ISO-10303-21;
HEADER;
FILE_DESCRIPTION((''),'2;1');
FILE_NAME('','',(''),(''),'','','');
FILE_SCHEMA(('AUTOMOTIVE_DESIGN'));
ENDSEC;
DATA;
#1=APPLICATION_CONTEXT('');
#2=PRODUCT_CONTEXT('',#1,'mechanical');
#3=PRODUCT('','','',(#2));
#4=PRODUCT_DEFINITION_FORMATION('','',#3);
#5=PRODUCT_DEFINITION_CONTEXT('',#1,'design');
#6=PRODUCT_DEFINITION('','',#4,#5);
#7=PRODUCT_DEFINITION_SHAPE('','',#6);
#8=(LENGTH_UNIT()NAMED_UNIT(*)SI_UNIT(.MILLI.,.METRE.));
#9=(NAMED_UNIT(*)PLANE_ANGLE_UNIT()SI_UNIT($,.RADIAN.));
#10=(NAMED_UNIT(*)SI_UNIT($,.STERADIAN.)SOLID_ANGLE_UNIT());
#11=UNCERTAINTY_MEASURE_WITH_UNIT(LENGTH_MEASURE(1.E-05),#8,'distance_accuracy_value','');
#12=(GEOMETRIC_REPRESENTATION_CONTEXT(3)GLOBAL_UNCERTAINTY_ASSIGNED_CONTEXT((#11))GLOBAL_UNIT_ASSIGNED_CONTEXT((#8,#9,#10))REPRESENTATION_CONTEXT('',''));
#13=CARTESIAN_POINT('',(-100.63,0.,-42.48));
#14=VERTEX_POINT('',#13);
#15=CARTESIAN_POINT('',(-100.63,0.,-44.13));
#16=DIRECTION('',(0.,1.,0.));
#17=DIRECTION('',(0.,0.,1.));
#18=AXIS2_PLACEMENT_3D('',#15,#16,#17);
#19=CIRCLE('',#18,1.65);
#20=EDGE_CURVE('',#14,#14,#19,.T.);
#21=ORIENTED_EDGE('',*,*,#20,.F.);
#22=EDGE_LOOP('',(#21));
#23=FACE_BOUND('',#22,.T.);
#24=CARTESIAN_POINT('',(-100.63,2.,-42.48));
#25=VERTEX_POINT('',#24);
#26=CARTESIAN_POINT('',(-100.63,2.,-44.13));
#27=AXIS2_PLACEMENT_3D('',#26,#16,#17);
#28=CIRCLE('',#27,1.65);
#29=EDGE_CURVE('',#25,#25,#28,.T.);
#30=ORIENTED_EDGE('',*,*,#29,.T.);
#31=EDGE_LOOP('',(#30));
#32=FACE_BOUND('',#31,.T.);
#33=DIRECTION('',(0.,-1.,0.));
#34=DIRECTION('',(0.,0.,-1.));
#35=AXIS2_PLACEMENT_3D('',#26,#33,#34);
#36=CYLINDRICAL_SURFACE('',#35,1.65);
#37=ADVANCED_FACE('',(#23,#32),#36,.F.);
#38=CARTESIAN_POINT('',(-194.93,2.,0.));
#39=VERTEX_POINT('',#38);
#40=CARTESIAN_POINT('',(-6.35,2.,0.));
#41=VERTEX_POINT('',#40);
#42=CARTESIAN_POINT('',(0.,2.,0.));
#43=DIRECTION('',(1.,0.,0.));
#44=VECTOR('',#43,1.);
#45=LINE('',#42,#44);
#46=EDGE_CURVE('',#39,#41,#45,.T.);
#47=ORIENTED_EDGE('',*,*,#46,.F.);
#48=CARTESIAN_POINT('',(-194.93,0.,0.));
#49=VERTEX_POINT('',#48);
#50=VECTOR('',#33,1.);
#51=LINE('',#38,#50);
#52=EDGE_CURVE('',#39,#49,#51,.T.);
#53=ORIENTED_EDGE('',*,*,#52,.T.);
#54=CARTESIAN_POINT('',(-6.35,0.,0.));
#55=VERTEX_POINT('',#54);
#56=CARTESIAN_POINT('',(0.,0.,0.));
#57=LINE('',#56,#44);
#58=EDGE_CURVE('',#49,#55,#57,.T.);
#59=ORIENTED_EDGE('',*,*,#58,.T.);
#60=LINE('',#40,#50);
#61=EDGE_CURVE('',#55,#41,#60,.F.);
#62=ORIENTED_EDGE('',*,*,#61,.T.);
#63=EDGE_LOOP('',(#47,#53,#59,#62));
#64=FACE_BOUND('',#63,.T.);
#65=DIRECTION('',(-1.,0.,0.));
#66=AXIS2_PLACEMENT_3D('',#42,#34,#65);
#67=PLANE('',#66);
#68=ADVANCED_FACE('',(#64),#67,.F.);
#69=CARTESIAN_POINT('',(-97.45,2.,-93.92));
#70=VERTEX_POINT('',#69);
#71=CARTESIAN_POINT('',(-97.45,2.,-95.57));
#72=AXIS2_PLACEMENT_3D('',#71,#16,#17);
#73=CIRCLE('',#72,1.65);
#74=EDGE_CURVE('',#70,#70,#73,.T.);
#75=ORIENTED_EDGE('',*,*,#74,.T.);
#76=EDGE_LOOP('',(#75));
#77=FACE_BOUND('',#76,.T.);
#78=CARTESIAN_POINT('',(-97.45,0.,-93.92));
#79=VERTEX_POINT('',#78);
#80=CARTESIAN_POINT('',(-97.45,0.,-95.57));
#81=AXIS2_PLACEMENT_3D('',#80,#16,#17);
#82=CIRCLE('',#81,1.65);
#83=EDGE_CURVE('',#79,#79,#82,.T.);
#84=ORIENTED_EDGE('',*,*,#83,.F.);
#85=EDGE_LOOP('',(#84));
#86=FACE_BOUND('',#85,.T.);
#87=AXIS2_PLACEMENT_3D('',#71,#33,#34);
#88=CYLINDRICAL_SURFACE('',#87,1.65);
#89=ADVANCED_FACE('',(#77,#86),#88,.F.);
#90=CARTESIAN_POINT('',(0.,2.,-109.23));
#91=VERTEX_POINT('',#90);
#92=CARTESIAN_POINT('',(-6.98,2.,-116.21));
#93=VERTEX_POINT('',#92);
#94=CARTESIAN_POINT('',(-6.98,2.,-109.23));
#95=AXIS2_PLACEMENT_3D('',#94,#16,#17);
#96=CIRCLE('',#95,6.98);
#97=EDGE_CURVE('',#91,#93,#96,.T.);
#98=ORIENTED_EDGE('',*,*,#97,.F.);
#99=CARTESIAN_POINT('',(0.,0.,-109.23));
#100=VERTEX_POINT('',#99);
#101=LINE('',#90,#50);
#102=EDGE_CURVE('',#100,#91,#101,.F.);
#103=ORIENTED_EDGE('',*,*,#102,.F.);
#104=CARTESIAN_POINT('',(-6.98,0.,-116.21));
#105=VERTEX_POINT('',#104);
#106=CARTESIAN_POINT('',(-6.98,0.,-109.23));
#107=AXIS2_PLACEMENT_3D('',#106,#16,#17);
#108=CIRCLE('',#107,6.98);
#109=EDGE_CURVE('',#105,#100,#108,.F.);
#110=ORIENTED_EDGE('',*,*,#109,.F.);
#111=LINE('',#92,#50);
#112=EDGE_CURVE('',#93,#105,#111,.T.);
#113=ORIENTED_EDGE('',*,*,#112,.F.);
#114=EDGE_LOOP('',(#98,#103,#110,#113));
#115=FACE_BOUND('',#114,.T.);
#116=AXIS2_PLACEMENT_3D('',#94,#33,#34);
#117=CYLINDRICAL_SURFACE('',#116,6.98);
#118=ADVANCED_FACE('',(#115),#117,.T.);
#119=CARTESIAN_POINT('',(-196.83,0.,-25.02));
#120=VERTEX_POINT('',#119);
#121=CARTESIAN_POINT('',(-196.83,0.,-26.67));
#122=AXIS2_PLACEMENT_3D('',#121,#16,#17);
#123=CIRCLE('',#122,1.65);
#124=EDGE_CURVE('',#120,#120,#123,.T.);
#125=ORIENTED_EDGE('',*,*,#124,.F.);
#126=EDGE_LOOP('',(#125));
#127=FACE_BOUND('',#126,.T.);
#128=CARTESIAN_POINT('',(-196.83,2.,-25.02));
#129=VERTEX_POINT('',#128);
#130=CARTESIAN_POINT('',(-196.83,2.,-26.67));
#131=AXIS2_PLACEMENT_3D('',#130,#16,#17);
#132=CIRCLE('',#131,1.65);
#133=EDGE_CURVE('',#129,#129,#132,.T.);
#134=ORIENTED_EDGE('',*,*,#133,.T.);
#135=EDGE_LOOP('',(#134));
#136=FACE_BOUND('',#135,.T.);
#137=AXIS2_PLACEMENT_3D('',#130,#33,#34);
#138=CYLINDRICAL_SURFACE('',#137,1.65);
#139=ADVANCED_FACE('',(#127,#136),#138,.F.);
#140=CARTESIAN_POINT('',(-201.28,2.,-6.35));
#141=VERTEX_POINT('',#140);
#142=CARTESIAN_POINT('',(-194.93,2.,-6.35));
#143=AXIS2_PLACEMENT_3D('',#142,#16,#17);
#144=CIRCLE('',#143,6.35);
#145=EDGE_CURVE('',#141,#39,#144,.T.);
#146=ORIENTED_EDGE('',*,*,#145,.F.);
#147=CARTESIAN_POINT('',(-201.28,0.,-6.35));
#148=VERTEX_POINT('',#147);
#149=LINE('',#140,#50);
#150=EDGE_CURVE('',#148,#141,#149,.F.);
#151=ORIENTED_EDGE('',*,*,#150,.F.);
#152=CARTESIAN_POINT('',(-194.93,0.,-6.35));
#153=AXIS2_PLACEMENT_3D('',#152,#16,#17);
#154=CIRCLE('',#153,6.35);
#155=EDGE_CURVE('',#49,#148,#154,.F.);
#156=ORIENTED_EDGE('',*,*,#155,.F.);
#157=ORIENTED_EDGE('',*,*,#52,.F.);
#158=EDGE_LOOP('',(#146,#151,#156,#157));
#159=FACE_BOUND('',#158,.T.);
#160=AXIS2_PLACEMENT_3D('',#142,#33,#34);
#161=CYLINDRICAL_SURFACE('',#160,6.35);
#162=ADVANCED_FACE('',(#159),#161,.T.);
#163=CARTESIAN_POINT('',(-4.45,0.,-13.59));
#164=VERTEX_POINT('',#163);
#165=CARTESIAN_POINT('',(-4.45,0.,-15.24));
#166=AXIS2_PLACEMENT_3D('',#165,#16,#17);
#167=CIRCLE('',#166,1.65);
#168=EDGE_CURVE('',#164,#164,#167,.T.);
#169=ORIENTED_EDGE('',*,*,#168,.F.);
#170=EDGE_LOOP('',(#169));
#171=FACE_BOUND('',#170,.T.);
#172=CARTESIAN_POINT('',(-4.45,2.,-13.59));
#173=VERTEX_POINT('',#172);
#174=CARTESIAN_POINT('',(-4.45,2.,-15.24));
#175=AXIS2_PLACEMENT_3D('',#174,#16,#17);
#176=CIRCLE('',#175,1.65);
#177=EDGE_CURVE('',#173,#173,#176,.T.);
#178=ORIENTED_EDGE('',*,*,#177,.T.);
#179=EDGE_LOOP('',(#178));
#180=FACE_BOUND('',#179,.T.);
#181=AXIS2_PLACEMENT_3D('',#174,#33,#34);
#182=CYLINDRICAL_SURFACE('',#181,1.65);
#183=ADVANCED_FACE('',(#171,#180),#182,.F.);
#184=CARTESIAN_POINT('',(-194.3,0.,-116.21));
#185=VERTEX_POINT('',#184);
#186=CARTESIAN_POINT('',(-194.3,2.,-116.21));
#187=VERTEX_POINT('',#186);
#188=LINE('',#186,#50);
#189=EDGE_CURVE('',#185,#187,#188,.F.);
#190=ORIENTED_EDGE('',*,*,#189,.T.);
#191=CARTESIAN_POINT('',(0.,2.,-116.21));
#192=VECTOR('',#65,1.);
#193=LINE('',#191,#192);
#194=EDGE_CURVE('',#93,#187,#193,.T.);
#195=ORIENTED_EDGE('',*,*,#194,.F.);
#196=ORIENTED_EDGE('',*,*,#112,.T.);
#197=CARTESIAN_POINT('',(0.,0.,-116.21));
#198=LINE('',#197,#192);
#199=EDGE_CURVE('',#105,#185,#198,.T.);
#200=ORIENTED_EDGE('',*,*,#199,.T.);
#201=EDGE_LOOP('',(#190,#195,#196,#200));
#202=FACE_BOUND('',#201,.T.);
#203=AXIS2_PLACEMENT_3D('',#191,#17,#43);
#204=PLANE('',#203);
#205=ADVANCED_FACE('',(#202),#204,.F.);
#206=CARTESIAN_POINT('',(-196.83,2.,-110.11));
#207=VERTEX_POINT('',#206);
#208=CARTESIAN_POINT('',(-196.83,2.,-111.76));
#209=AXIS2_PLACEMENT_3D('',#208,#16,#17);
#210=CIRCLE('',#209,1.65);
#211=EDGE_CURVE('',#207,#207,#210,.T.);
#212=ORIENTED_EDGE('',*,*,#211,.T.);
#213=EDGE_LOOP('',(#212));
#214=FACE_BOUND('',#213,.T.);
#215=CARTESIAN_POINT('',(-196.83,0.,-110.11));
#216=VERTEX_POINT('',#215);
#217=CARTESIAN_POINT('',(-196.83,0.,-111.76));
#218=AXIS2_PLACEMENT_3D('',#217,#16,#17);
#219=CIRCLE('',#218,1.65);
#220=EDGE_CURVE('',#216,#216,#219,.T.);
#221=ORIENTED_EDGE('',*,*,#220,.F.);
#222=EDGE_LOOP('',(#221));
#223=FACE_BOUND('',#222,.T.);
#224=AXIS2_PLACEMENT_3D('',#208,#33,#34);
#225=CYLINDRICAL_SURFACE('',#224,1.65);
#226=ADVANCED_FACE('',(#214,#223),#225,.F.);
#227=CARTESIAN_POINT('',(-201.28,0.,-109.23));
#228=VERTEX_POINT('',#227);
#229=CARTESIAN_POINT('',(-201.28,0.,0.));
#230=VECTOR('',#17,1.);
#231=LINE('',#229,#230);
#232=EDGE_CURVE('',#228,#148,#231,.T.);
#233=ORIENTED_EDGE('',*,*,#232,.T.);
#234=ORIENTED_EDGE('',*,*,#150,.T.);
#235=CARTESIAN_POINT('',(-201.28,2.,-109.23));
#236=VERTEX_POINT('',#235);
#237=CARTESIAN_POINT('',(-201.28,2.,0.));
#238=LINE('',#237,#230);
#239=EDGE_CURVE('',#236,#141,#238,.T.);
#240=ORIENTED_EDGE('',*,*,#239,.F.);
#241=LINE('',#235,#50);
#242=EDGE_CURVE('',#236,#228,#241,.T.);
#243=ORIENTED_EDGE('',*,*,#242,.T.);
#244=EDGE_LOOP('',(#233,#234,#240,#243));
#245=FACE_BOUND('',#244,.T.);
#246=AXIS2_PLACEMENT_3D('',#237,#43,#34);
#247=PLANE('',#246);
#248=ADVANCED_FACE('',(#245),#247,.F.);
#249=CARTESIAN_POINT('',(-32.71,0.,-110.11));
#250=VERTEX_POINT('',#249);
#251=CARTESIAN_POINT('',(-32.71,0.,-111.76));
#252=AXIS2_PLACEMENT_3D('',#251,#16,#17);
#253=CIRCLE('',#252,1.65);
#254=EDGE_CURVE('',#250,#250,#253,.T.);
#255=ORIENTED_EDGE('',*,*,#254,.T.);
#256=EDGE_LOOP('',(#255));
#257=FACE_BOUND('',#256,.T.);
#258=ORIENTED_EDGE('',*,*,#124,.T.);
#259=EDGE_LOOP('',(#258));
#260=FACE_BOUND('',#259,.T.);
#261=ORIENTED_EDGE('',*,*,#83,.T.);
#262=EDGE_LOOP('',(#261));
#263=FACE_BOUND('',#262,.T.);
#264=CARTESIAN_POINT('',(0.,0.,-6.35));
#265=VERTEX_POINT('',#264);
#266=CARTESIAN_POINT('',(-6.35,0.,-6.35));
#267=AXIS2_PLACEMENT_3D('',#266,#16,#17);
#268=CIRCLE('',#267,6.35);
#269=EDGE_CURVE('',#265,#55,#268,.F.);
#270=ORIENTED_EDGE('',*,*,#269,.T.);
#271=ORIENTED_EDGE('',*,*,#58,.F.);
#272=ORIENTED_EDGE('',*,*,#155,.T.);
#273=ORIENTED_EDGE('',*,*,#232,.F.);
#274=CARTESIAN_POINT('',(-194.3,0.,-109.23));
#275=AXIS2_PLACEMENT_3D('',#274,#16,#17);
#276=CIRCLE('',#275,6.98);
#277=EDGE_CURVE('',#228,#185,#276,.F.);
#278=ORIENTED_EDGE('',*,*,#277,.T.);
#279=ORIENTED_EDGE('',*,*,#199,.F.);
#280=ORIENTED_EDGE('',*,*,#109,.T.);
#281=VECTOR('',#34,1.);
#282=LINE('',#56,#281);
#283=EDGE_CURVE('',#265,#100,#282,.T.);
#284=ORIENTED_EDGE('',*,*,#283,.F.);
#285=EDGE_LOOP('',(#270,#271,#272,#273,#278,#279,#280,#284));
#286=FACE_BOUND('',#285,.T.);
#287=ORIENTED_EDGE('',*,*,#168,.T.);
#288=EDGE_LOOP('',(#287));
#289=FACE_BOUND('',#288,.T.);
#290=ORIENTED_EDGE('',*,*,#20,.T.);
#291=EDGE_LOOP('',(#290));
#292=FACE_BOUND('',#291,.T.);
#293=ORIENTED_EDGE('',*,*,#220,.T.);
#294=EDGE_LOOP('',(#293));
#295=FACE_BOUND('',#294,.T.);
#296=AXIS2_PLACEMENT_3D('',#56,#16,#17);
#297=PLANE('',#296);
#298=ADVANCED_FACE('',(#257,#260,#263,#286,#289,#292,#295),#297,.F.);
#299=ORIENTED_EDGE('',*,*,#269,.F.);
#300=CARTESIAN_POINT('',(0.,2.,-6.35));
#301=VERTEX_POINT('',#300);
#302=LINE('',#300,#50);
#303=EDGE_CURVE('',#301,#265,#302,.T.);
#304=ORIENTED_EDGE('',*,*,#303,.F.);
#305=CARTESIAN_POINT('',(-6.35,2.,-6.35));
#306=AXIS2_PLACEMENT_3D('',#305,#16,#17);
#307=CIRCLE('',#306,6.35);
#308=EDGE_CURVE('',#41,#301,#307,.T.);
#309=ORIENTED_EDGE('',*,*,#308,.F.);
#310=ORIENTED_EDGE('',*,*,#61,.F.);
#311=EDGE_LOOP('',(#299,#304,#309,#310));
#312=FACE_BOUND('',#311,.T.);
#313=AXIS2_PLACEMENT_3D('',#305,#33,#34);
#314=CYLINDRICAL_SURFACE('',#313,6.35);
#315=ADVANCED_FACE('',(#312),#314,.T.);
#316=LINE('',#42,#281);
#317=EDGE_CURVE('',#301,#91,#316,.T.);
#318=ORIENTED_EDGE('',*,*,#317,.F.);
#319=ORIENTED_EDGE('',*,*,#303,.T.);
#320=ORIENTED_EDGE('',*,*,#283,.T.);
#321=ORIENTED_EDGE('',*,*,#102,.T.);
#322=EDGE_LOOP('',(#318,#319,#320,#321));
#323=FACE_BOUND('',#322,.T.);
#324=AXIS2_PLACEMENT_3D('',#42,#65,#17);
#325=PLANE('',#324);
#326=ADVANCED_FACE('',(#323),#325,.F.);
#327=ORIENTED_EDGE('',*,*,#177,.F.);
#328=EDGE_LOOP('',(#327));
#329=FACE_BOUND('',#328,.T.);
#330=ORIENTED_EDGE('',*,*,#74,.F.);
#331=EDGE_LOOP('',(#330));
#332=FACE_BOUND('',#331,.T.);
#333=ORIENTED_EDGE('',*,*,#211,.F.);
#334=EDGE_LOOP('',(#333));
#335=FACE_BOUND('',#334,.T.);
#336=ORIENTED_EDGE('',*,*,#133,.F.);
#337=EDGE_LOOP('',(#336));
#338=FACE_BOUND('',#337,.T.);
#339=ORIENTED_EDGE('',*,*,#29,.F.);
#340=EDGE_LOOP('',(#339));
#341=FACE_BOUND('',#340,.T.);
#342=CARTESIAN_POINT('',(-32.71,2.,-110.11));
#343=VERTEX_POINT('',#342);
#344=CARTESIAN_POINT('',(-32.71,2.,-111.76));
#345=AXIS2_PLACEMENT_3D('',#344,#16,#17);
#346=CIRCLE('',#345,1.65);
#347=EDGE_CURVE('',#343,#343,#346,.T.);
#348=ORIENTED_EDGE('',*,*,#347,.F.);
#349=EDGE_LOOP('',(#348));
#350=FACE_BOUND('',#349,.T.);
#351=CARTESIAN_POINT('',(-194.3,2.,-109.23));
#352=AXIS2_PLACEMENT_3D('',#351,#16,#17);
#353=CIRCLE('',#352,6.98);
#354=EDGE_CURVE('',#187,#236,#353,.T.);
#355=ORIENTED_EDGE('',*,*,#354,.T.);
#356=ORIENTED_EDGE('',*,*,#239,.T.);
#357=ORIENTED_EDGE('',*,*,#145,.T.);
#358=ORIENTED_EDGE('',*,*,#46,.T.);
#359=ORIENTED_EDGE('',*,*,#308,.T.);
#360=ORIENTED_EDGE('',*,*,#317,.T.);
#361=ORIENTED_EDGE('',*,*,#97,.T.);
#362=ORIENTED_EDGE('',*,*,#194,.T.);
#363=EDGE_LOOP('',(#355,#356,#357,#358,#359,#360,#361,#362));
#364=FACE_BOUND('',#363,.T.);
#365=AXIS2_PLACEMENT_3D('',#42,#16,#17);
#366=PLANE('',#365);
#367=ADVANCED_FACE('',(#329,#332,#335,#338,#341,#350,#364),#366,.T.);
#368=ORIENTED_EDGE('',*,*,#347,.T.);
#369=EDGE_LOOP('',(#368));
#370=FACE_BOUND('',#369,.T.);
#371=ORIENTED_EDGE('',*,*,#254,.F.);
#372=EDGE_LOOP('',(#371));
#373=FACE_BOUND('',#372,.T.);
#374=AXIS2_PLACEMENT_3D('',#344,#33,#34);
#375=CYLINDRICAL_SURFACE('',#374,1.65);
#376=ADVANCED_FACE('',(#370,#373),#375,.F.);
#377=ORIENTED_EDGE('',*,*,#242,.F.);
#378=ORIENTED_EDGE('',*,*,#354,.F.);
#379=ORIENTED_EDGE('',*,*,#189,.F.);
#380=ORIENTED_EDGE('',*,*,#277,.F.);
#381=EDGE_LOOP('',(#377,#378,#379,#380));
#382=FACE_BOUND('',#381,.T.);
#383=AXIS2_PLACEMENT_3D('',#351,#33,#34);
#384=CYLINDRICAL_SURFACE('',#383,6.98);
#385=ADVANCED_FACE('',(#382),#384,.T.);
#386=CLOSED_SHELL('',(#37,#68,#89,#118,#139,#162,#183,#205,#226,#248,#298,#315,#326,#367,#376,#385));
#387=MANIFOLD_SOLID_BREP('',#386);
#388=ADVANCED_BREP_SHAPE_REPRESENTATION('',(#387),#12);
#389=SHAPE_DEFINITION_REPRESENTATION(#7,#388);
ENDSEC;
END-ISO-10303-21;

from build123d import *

# Parameters (mm, degrees)
SKETCH1_W           = 201.28
SKETCH1_H           = 116.21
SKETCH1_R           = 1.65
BOSS_EXTRUDE1_DEPTH = 2
FILLET1_R           = 6.98
FILLET2_R           = 6.35


with BuildPart() as part:
    # Sketch1 → Boss-Extrude1 (new body)
    with BuildSketch(Plane(origin=(0, 0, 0), x_dir=(1, 0, 0), z_dir=(0, 1, 0))):
        with Locations((-100.64, 58.105)):
            Rectangle(SKETCH1_W, SKETCH1_H)
        with Locations(Location((-196.83, 26.67, 0), (0, 0, 270))):
            Circle(SKETCH1_R, mode=Mode.SUBTRACT)
        with Locations(Location((-196.83, 111.76, 0), (0, 0, 270))):
            Circle(SKETCH1_R, mode=Mode.SUBTRACT)
        with Locations(Location((-32.71, 111.76, 0), (0, 0, 270))):
            Circle(SKETCH1_R, mode=Mode.SUBTRACT)
        with Locations(Location((-4.45, 15.24, 0), (0, 0, 270))):
            Circle(SKETCH1_R, mode=Mode.SUBTRACT)
        with Locations(Location((-97.45, 95.57, 0), (0, 0, 270))):
            Circle(SKETCH1_R, mode=Mode.SUBTRACT)
        with Locations(Location((-100.63, 44.13, 0), (0, 0, 270))):
            Circle(SKETCH1_R, mode=Mode.SUBTRACT)
    extrude(amount=BOSS_EXTRUDE1_DEPTH)

    # Fillet1
    fillet1_edges = [part.edges().sort_by_distance(p)[0] for p in [
        (-201.28, 1, -116.21),
        (0, 1, -116.21),
    ]]
    fillet(fillet1_edges, radius=FILLET1_R)

    # Fillet2
    fillet2_edges = [part.edges().sort_by_distance(p)[0] for p in [
        (0, 1, 0),
        (-201.28, 1, 0),
    ]]
    fillet(fillet2_edges, radius=FILLET2_R)


solid = part.part
